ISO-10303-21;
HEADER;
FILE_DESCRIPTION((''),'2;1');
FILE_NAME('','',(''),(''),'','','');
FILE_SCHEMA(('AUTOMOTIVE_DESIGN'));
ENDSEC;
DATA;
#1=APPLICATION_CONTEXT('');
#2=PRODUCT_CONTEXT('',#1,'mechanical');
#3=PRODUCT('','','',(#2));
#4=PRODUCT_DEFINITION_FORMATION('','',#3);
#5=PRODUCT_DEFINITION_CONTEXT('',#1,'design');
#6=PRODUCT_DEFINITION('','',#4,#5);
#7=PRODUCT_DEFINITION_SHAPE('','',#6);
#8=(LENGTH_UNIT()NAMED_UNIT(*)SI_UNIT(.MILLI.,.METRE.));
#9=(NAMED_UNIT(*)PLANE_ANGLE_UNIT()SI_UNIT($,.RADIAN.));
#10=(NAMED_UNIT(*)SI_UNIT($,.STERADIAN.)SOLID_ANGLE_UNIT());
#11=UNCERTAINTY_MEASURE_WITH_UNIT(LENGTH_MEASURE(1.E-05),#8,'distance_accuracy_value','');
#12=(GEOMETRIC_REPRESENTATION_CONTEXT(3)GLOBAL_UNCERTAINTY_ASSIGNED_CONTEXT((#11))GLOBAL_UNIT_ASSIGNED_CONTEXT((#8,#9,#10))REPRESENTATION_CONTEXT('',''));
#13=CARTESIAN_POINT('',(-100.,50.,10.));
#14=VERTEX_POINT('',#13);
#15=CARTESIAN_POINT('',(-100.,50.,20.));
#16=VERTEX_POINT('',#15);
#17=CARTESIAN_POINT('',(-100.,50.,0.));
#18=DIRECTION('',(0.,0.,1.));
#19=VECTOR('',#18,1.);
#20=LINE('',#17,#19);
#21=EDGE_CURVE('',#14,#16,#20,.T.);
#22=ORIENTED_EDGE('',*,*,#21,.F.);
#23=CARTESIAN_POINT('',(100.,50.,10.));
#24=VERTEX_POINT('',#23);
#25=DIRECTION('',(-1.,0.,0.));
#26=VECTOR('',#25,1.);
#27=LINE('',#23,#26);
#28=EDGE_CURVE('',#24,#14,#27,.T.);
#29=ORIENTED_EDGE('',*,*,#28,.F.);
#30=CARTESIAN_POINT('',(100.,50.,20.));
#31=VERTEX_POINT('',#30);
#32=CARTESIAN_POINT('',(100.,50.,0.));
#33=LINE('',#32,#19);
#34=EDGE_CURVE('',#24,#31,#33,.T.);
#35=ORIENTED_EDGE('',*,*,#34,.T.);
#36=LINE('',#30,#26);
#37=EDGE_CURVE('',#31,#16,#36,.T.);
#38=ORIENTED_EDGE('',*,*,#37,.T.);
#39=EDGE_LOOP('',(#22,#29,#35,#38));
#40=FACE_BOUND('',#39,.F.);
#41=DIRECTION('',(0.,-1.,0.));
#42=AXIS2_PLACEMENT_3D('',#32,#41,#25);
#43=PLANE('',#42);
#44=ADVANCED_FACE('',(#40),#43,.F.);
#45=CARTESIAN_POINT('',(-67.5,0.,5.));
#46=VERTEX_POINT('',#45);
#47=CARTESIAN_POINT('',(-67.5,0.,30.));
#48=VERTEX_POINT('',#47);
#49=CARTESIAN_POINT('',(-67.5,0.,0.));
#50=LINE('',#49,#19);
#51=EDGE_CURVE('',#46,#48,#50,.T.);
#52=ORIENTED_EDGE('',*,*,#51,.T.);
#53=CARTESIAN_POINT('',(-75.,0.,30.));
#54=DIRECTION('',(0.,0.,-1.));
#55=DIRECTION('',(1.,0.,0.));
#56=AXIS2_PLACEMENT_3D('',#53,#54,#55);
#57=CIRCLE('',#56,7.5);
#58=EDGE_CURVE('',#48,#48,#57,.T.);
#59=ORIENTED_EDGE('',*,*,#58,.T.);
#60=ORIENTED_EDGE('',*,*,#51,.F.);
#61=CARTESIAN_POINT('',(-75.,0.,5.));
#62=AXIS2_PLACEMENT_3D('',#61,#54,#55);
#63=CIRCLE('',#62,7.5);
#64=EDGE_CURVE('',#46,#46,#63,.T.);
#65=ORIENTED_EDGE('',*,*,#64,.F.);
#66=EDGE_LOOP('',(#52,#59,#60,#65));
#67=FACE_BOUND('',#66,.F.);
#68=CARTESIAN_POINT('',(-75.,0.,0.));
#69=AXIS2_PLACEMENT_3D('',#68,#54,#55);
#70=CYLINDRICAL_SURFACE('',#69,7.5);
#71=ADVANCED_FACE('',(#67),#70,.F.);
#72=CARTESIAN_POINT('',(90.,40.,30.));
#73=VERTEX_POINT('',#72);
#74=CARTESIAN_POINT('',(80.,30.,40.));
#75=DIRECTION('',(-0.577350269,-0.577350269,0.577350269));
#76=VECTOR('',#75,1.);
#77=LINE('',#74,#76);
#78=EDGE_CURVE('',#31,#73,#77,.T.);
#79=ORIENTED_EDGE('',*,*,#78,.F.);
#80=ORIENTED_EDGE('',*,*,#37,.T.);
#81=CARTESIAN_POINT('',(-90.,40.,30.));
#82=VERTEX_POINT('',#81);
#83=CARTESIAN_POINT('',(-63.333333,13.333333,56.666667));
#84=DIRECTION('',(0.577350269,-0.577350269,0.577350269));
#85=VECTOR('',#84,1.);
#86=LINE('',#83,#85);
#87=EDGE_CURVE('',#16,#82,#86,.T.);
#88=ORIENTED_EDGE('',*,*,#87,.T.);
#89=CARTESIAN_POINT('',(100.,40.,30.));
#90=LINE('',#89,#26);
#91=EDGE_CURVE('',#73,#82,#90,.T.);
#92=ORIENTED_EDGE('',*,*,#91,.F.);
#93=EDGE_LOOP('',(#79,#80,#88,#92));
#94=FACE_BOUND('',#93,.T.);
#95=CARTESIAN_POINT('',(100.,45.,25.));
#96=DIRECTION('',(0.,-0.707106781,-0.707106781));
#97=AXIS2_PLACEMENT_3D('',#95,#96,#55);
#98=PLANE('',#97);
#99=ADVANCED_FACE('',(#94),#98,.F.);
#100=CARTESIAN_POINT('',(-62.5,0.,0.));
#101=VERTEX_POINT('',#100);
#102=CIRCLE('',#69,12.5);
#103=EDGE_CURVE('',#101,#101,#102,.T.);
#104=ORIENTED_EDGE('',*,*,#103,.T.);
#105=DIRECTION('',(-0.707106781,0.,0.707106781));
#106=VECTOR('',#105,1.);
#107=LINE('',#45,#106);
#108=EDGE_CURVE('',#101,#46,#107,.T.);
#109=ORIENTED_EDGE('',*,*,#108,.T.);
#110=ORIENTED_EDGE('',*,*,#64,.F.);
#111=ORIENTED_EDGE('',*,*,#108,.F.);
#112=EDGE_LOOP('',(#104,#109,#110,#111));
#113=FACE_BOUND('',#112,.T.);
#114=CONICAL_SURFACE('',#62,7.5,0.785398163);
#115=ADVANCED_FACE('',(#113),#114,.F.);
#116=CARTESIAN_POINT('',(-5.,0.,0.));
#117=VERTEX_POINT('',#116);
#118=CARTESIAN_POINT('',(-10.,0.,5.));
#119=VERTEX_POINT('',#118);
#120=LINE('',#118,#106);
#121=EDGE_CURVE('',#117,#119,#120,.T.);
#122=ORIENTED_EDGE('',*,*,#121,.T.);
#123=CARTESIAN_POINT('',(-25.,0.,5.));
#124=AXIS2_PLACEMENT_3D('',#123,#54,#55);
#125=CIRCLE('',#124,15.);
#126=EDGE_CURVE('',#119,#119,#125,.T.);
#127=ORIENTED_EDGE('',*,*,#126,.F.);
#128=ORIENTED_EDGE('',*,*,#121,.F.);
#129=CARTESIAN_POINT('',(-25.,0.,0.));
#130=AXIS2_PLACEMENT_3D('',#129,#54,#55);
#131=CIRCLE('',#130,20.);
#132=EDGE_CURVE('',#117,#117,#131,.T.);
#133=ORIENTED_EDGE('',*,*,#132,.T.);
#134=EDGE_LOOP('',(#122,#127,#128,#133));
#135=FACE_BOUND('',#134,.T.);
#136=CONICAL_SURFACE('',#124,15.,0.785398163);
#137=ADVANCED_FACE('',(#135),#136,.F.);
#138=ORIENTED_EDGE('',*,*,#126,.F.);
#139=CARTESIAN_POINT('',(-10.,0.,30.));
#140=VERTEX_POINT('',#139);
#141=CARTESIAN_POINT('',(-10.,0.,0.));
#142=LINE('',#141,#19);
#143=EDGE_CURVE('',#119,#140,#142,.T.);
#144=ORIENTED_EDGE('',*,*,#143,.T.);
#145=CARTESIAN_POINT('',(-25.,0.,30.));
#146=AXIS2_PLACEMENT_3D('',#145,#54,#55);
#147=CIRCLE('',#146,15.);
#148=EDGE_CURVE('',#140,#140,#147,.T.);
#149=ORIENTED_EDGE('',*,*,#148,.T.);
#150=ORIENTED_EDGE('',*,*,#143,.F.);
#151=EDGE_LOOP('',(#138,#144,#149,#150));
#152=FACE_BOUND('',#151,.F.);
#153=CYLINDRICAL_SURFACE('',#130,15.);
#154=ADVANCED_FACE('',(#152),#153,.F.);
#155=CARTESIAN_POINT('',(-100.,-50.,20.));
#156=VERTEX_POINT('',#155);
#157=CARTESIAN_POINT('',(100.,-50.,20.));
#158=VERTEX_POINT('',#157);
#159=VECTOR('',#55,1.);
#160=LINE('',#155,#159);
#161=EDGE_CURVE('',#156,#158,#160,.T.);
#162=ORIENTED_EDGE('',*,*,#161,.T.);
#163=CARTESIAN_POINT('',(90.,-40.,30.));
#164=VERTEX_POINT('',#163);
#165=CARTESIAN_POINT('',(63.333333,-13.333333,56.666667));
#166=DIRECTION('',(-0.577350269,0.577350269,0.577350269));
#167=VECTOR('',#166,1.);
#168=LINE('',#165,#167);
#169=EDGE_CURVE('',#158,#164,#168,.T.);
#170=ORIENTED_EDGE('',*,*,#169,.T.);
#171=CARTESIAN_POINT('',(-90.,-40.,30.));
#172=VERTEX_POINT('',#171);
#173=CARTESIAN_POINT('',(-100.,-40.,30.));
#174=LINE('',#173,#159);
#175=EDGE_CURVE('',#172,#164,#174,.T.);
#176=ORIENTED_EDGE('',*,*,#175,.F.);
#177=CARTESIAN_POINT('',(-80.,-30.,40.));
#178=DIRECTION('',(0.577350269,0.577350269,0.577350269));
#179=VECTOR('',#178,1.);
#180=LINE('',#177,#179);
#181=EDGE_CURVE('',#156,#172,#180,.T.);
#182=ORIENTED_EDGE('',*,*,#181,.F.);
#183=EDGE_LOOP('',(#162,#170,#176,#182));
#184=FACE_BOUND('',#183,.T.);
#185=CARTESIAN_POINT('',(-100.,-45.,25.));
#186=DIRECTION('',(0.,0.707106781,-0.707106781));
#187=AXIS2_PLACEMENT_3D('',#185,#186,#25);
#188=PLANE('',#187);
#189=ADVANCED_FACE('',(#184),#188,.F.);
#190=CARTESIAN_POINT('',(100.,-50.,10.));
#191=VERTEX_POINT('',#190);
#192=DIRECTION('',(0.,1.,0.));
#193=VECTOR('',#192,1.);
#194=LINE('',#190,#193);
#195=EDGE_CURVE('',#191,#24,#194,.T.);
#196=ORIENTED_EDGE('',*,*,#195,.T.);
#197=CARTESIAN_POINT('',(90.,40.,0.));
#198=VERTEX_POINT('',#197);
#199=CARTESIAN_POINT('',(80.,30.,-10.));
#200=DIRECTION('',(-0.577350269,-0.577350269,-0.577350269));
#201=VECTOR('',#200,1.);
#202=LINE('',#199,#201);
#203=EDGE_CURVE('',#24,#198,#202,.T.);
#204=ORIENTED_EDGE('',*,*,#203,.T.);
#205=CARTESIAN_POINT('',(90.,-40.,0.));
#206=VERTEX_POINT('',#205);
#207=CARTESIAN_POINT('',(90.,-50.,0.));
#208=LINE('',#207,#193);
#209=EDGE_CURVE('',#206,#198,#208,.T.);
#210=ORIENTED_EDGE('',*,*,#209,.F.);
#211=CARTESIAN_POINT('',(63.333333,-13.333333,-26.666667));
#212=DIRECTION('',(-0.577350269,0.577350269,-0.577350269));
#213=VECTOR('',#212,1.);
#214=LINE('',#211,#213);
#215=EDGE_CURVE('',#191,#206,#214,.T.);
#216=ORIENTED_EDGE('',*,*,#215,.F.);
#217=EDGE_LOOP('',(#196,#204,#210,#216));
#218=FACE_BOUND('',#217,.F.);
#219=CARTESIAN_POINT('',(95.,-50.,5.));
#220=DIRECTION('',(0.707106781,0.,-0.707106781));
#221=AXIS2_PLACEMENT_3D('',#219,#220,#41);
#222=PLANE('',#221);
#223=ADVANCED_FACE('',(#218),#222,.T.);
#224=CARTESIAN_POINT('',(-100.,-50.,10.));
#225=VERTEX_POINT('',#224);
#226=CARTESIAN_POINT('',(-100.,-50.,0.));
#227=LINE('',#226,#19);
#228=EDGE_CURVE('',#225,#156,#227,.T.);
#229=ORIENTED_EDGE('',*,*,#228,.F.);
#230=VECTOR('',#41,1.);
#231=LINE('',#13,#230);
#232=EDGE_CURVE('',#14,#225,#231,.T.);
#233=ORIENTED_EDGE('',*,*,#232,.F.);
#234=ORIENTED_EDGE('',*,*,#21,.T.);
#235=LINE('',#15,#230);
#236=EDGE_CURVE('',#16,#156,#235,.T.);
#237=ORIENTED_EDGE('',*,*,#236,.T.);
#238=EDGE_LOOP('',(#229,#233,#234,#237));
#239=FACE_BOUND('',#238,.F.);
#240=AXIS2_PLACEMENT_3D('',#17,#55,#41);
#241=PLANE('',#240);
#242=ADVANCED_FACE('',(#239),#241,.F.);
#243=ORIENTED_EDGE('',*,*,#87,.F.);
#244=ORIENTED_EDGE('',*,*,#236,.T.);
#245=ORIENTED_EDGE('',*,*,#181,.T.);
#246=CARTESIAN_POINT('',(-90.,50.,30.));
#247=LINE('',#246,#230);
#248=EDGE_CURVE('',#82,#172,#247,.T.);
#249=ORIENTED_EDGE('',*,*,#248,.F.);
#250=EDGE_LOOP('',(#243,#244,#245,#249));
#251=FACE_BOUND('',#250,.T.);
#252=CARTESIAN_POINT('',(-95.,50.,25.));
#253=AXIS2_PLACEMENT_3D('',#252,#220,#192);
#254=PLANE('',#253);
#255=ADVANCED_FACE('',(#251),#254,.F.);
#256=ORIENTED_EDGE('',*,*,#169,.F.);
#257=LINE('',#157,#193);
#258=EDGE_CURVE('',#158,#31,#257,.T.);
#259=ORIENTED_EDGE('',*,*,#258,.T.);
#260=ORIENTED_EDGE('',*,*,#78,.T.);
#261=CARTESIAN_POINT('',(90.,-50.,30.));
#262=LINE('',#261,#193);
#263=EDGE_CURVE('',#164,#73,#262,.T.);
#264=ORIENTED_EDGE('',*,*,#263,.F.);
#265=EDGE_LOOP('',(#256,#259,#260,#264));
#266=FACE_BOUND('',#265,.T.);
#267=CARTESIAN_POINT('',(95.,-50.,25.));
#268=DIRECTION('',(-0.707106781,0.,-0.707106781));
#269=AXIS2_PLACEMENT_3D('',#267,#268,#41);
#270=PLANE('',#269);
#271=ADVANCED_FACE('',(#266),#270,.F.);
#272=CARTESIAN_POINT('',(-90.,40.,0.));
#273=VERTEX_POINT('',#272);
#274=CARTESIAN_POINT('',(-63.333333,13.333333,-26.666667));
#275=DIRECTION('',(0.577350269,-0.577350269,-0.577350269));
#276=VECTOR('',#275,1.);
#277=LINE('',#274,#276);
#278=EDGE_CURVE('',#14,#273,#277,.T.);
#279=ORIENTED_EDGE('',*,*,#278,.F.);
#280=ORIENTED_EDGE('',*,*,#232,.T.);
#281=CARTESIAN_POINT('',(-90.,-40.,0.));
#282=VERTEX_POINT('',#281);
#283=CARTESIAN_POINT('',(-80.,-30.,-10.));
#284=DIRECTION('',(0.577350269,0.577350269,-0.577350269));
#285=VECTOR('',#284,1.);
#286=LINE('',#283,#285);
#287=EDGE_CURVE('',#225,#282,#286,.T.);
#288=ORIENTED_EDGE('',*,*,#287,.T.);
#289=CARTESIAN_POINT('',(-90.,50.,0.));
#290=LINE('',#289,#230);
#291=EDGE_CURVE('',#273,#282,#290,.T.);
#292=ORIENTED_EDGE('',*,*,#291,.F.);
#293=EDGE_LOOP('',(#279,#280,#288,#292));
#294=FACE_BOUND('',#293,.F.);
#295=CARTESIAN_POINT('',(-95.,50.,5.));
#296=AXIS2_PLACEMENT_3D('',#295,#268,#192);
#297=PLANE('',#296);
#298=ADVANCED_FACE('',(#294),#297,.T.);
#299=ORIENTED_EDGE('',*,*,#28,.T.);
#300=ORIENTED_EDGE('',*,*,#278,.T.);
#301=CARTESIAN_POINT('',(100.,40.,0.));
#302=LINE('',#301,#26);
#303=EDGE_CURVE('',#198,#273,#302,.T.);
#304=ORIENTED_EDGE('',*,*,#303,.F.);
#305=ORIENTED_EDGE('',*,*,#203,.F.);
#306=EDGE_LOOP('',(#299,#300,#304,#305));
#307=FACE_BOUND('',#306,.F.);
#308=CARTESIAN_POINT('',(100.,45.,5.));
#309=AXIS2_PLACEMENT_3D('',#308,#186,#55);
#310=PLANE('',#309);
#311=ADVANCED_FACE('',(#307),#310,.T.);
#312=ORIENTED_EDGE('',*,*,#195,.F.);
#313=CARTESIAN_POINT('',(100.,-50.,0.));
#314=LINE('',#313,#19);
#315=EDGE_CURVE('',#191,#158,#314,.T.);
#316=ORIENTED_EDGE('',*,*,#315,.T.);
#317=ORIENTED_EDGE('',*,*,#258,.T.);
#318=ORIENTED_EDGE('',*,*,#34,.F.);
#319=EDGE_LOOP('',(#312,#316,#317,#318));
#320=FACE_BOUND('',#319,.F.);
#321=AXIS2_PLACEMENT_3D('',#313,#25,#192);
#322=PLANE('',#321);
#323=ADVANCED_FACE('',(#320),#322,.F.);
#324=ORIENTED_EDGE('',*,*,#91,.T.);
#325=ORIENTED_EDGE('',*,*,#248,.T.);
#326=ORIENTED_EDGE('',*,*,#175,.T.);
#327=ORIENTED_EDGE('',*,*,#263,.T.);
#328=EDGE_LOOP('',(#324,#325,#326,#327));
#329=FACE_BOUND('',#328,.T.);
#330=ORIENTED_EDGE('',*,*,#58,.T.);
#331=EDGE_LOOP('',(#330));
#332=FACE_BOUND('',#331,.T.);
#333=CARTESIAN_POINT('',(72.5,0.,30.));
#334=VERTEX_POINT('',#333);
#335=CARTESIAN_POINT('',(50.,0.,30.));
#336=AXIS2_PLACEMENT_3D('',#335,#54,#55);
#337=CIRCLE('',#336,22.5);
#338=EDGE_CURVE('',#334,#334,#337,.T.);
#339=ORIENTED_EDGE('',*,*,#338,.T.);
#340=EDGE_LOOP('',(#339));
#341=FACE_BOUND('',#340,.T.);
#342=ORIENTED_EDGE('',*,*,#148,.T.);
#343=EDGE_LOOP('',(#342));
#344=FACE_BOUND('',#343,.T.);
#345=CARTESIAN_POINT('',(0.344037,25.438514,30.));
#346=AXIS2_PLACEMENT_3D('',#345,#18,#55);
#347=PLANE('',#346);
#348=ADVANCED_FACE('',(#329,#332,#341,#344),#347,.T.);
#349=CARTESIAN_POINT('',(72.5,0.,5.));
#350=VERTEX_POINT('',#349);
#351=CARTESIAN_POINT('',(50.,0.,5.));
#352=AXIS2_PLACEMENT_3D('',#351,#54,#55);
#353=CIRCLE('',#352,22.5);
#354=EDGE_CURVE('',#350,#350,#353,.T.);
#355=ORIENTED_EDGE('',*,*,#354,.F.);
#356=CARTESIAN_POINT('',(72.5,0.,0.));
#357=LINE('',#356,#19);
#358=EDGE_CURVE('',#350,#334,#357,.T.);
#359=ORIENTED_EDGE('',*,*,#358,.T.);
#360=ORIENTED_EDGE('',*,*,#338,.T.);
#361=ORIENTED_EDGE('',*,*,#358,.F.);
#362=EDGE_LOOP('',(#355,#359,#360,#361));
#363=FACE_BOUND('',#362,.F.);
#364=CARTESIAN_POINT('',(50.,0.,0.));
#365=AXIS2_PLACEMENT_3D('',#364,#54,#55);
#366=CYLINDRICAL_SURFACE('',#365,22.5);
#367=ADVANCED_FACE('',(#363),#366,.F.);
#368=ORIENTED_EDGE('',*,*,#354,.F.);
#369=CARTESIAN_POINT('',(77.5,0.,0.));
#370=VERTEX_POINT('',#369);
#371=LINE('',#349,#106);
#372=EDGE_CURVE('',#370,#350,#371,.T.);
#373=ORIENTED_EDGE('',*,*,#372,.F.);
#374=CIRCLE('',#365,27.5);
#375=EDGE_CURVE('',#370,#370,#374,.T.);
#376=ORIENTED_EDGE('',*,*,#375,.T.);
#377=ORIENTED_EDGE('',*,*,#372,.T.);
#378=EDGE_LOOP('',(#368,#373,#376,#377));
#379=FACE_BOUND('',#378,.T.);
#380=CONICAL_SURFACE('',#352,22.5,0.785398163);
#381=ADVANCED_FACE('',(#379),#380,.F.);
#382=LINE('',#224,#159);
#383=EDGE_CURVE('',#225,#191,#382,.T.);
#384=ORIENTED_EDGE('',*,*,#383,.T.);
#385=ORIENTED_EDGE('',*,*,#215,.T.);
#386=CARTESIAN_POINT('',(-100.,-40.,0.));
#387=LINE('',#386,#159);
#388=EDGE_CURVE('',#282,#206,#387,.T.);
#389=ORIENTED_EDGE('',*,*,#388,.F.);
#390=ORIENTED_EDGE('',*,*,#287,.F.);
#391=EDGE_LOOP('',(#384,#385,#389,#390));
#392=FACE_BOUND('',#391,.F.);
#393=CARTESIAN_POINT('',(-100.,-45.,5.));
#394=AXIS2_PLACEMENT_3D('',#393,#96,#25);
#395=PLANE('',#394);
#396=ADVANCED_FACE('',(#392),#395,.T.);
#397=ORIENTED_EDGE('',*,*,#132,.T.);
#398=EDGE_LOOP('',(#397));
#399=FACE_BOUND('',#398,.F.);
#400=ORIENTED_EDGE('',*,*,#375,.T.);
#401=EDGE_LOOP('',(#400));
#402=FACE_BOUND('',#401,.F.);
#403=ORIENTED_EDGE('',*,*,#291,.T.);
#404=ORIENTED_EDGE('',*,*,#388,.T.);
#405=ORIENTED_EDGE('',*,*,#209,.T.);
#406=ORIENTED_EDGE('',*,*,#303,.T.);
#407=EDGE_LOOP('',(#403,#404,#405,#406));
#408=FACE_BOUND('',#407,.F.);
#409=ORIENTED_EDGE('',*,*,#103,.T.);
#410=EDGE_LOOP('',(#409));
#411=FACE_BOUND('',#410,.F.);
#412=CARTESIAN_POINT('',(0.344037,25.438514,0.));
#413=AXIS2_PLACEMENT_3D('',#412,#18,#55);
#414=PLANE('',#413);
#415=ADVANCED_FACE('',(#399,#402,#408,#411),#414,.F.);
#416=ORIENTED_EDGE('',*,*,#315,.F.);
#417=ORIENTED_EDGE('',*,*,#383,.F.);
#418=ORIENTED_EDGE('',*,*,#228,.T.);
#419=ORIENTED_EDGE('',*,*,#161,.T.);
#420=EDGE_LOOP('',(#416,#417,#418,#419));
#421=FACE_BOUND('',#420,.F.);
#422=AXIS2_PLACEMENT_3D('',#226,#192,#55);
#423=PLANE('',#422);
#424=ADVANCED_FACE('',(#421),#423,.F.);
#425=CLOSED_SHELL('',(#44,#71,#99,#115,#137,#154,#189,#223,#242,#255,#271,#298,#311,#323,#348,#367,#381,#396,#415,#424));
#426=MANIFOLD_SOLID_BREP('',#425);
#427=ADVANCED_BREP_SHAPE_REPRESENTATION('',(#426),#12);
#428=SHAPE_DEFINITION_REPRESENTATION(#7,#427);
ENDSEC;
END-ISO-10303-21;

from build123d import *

# Parameters (mm, degrees)
F1_DEPTH = 30
F2_SIZE2 = 10
F2_SIZE  = 10
F3_SIZE  = 5


with BuildPart() as f1:
    # F0 (on Top) → F1 (new body)
    with BuildSketch(Plane.XY):
        with BuildLine():
            Line((100, 50), (-100, 50))
            Line((-100, 50), (-100, 0))
            Line((-100, 0), (-82.5, 0))
            ThreePointArc((-82.5, 0), (-75, 7.5), (-67.5, 0))
            Line((-67.5, 0), (-40, 0))
            ThreePointArc((-40, 0), (-25, 15), (-10, 0))
            Line((-10, 0), (27.5, 0))
            ThreePointArc((27.5, 0), (50, 22.5), (72.5, 0))
            Line((72.5, 0), (100, 0))
            Line((100, 0), (100, 50))
        make_face()
        with BuildLine():
            Line((-82.5, 0), (-100, 0))
            Line((-100, 0), (-100, -50))
            Line((-100, -50), (100, -50))
            Line((100, -50), (100, 0))
            Line((100, 0), (72.5, 0))
            ThreePointArc((72.5, 0), (50, -22.5), (27.5, 0))
            Line((27.5, 0), (-10, 0))
            ThreePointArc((-10, 0), (-25, -15), (-40, 0))
            Line((-40, 0), (-67.5, 0))
            ThreePointArc((-67.5, 0), (-75, -7.5), (-82.5, 0))
        make_face()
    extrude(amount=F1_DEPTH)

    # F2
    f2_edges = [f1.edges().sort_by_distance(p)[0] for p in [
        (-100, 0, 30),
        (-100, 0, 0),
        (100, 0, 30),
        (100, 0, 0),
        (0, -50, 30),
        (0, 50, 30),
        (0, -50, 0),
        (0, 50, 0),
    ]]
    chamfer(f2_edges, length=F2_SIZE, length2=F2_SIZE2)

    # F3
    f3_edges = [f1.edges().sort_by_distance(p)[0] for p in [
        (-67.5, 0, 0),
        (-10, 0, 0),
        (27.5, 0, 0),
    ]]
    chamfer(f3_edges, length=F3_SIZE)


solid = f1.part
